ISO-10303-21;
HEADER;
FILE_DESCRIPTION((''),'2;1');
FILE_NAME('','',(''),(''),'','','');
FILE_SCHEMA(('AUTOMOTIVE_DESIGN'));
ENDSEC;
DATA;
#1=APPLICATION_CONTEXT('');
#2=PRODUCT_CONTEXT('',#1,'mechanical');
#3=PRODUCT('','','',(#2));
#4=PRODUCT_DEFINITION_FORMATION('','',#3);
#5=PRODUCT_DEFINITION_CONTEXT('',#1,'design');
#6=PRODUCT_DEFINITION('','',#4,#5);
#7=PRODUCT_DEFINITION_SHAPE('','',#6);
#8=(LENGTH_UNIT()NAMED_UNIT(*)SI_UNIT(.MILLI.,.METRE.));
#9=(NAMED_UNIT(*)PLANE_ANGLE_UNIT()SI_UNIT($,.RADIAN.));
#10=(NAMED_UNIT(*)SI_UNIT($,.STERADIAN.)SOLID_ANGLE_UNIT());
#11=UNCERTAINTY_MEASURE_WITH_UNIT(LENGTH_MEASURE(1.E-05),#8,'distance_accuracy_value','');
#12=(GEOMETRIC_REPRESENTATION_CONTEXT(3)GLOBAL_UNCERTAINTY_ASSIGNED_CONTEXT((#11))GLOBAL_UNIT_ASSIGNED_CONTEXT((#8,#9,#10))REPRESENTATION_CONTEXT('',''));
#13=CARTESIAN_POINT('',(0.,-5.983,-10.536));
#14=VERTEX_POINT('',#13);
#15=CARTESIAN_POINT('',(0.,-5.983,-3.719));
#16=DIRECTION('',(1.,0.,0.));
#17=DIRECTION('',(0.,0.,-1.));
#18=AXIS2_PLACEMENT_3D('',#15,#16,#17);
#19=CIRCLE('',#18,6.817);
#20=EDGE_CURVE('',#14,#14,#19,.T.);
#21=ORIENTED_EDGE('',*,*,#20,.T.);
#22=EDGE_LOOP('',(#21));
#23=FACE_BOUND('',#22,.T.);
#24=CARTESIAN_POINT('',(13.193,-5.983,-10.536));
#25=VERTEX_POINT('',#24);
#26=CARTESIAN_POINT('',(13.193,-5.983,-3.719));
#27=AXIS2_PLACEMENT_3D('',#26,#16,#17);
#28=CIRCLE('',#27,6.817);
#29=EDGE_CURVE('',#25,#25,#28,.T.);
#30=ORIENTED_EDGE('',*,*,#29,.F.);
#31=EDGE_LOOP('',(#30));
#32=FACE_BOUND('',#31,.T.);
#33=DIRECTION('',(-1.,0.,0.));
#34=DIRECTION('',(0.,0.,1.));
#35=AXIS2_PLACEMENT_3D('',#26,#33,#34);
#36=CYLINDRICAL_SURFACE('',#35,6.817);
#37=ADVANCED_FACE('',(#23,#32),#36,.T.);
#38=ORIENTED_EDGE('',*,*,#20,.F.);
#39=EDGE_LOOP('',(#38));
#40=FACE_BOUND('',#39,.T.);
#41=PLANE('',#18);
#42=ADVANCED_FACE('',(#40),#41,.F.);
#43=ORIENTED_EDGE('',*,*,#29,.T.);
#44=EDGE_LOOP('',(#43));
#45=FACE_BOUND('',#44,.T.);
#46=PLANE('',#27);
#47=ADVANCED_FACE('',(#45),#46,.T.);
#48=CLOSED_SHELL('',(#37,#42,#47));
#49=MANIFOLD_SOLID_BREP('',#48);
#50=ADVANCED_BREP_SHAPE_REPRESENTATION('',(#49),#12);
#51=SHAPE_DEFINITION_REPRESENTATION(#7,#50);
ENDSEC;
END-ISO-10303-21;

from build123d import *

# Parameters (mm, degrees)
CURVESKETCH_R   = 6.817
CURVEBOSS_DEPTH = 13.193


with BuildPart() as part:
    # CurveSketch → CurveBoss (new body)
    with BuildSketch(Plane(origin=(0, 0, 0), x_dir=(0, 0, -1), z_dir=(1, 0, 0))):
        with Locations((3.719, -5.983)):
            Circle(CURVESKETCH_R)
    extrude(amount=CURVEBOSS_DEPTH)


solid = part.part
